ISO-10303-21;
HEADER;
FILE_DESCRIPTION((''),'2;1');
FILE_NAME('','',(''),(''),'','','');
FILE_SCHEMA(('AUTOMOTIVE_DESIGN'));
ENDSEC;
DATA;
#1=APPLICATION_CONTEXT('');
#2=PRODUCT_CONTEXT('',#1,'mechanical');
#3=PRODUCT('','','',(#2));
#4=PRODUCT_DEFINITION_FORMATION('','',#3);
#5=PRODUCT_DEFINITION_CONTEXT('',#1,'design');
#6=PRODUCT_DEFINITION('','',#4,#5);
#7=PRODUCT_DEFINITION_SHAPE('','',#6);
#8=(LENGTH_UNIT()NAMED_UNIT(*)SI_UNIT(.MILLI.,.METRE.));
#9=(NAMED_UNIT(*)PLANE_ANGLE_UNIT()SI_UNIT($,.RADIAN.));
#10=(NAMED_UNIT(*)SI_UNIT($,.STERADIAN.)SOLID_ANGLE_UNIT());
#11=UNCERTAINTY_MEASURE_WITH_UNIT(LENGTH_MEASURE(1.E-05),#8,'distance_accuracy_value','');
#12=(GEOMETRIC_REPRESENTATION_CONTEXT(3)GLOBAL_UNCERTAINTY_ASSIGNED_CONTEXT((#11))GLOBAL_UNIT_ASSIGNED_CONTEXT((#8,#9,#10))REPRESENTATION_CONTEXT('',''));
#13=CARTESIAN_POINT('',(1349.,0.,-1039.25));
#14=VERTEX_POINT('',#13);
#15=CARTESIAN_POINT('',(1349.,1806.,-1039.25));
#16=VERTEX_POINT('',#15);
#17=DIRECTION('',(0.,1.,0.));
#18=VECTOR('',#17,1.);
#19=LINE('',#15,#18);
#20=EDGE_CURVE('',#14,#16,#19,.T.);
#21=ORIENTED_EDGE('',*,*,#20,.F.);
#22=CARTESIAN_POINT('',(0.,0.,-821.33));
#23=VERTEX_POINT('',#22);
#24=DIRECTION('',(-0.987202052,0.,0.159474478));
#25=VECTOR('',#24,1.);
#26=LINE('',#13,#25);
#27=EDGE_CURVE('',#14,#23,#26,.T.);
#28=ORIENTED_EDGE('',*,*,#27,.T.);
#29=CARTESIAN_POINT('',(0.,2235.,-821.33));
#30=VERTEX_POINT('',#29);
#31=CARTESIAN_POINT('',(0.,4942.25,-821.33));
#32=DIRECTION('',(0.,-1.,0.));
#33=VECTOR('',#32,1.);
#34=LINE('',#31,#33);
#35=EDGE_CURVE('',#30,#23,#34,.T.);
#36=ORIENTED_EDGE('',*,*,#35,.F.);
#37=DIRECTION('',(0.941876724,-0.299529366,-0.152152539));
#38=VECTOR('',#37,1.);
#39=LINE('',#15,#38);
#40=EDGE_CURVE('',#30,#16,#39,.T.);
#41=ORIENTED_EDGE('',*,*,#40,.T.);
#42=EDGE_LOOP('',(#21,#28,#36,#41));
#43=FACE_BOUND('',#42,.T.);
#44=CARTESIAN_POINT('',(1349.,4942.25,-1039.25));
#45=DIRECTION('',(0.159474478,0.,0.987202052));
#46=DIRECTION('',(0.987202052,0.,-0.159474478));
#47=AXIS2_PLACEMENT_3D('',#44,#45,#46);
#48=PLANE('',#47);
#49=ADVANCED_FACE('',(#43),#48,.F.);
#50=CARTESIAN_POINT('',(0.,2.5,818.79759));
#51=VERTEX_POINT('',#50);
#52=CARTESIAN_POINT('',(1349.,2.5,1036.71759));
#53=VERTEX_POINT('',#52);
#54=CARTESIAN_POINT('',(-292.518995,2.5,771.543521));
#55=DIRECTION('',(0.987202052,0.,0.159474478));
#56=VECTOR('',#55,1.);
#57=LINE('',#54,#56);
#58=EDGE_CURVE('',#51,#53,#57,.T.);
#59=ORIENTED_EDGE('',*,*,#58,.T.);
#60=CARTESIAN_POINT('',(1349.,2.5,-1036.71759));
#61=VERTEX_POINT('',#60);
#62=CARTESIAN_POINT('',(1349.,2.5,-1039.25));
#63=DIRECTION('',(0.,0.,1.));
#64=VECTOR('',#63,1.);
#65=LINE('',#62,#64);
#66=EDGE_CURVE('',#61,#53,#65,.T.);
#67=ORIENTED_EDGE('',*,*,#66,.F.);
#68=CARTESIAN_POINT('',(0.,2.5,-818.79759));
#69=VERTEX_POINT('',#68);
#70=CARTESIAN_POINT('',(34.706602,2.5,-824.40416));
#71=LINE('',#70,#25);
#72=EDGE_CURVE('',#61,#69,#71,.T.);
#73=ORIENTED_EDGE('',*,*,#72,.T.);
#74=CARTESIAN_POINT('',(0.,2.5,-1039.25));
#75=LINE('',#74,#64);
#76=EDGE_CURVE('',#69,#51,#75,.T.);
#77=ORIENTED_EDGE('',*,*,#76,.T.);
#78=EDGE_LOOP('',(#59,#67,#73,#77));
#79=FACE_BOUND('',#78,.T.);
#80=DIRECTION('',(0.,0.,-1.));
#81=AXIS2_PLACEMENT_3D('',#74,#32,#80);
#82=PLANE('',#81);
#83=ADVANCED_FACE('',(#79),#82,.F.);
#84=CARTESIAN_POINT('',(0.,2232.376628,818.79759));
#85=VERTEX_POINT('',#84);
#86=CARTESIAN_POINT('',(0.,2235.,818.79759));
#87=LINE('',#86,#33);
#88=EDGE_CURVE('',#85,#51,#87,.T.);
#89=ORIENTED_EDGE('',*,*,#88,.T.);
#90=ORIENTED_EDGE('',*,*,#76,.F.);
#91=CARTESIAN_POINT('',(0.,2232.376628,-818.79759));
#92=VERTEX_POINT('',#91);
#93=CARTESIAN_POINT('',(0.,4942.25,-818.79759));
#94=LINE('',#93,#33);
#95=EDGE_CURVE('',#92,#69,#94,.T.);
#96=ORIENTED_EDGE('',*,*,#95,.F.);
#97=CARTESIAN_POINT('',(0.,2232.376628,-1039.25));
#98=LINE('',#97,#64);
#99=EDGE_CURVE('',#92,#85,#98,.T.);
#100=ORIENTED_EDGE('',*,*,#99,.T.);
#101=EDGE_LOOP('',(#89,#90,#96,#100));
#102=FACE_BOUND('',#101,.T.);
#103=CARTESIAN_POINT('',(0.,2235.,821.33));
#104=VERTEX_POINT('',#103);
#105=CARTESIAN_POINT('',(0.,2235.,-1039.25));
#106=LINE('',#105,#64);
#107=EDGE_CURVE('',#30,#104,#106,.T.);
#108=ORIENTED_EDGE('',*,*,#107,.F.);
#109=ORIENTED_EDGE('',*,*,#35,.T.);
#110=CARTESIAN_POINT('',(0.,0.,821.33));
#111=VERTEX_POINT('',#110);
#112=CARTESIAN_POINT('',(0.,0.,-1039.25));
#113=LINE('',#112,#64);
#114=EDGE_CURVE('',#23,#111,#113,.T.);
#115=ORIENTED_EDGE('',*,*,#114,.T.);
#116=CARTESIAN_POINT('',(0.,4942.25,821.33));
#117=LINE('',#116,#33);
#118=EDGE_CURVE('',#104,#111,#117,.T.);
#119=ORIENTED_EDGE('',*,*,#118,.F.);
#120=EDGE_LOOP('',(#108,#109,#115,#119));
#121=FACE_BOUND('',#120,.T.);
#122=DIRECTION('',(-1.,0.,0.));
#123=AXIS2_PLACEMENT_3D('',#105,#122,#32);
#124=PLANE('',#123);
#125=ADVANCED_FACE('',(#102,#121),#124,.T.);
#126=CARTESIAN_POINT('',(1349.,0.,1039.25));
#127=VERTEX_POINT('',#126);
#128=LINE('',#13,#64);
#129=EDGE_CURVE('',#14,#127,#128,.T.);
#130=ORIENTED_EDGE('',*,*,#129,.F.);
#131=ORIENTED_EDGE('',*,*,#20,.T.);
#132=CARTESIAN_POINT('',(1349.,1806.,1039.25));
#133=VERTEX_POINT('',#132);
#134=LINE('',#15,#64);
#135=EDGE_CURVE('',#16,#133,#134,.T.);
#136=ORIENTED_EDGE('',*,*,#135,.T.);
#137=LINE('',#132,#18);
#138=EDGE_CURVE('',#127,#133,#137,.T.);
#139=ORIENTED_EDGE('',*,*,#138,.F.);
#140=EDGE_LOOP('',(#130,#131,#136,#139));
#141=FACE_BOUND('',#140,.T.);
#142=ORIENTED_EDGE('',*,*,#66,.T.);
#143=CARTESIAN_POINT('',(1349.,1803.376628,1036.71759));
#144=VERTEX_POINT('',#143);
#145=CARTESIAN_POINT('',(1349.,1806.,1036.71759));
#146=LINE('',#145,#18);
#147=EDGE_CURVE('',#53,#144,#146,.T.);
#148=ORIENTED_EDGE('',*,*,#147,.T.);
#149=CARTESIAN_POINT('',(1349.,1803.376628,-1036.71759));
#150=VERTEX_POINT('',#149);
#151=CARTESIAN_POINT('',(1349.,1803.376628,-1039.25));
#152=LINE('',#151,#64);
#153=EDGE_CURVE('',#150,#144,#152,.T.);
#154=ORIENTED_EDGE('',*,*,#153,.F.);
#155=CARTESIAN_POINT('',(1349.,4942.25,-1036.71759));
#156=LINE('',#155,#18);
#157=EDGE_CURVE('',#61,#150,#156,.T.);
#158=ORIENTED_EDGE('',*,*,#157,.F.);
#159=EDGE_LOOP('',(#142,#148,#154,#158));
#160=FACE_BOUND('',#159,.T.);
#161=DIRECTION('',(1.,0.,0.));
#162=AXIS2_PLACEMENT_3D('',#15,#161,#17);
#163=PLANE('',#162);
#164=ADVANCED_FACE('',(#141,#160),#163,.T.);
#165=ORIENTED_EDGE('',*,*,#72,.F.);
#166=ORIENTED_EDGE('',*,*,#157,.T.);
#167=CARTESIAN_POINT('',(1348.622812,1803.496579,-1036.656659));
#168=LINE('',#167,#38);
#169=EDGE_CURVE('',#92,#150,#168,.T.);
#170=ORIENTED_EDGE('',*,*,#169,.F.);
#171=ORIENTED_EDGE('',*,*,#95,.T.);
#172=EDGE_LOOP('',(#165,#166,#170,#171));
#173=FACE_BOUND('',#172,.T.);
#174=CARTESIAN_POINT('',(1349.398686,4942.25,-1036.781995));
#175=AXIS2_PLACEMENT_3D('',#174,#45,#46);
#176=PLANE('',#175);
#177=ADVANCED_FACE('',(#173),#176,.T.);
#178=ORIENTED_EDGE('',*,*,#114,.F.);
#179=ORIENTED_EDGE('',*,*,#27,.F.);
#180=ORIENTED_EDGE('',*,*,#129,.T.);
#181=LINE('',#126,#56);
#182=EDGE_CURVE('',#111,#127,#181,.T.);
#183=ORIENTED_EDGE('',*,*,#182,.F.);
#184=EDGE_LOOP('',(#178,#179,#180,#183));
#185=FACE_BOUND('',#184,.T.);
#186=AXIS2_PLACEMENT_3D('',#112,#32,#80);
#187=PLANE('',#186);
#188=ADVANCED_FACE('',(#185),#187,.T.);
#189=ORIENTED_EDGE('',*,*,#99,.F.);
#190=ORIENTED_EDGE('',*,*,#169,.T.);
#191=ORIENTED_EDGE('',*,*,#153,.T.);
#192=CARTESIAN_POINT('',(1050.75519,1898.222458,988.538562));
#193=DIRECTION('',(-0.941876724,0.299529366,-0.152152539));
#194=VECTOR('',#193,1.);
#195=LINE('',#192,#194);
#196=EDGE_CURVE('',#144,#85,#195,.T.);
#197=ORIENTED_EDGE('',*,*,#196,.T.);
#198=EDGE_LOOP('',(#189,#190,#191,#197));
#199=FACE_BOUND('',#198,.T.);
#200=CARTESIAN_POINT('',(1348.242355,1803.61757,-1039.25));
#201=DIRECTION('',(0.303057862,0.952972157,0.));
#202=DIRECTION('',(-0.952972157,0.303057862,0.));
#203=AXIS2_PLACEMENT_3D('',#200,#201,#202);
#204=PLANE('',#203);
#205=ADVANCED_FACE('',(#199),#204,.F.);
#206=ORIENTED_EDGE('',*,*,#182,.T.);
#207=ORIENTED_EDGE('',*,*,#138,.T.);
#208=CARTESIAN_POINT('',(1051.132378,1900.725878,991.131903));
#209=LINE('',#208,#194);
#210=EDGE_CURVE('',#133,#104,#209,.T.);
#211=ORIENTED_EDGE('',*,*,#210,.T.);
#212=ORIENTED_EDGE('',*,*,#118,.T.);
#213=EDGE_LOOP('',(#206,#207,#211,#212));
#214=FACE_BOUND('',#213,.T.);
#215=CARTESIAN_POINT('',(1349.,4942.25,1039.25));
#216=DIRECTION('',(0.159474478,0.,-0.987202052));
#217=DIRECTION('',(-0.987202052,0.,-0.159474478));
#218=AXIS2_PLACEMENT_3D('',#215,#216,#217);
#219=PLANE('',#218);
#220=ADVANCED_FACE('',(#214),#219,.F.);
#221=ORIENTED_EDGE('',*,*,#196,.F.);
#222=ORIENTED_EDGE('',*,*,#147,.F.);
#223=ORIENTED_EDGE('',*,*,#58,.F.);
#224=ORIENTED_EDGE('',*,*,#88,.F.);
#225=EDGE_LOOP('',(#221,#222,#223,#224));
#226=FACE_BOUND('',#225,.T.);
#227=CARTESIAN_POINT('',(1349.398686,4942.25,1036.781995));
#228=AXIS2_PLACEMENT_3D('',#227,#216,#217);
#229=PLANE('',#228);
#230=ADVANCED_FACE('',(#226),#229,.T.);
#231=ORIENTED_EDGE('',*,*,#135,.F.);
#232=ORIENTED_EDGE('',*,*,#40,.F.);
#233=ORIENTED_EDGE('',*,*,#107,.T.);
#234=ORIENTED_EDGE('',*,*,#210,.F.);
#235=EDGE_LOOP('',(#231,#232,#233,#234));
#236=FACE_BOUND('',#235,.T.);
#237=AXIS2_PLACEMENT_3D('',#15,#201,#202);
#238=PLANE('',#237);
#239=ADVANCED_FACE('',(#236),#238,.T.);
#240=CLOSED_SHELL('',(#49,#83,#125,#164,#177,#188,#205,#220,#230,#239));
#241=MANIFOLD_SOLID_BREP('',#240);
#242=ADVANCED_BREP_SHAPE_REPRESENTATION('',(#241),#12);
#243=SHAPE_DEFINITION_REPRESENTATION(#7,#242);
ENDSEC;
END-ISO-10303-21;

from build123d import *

# Parameters (mm, degrees)
BOSS_EXTRUDE1_DEPTH      = 1039.25
BOSS_EXTRUDE1_DEPTH_BACK = 1039.25
CUT_EXTRUDE1_DEPTH       = 4942.25
SHELL2_T                 = -2.5


with BuildPart() as part:
    # Sketch1 → Boss-Extrude1 (new, two sides: drawn at the far end of the back side and taken through both)
    with BuildSketch(Plane.XY.offset(-BOSS_EXTRUDE1_DEPTH_BACK)):
        Polygon((0, 0), (1349, 0), (1349, 1806), (0, 2235), align=None)
    extrude(amount=BOSS_EXTRUDE1_DEPTH + BOSS_EXTRUDE1_DEPTH_BACK)

    # Sketch2 → Cut-Extrude1 (cut)
    with BuildSketch(Plane.XZ):
        Polygon((0, 821.33), (0, 1039.25), (1349, 1039.25), align=None)
        Polygon((0, -1039.25), (1349, -1039.25), (0, -821.33), align=None)
    extrude(amount=-CUT_EXTRUDE1_DEPTH, mode=Mode.SUBTRACT)

    # Shell2
    shell2_openings = [part.faces().sort_by_distance(p)[0] for p in [
        (1349, 903, 0),
        (0, 1117.5, 0),
    ]]
    offset(amount=SHELL2_T, openings=shell2_openings, kind=Kind.INTERSECTION)


solid = part.part
